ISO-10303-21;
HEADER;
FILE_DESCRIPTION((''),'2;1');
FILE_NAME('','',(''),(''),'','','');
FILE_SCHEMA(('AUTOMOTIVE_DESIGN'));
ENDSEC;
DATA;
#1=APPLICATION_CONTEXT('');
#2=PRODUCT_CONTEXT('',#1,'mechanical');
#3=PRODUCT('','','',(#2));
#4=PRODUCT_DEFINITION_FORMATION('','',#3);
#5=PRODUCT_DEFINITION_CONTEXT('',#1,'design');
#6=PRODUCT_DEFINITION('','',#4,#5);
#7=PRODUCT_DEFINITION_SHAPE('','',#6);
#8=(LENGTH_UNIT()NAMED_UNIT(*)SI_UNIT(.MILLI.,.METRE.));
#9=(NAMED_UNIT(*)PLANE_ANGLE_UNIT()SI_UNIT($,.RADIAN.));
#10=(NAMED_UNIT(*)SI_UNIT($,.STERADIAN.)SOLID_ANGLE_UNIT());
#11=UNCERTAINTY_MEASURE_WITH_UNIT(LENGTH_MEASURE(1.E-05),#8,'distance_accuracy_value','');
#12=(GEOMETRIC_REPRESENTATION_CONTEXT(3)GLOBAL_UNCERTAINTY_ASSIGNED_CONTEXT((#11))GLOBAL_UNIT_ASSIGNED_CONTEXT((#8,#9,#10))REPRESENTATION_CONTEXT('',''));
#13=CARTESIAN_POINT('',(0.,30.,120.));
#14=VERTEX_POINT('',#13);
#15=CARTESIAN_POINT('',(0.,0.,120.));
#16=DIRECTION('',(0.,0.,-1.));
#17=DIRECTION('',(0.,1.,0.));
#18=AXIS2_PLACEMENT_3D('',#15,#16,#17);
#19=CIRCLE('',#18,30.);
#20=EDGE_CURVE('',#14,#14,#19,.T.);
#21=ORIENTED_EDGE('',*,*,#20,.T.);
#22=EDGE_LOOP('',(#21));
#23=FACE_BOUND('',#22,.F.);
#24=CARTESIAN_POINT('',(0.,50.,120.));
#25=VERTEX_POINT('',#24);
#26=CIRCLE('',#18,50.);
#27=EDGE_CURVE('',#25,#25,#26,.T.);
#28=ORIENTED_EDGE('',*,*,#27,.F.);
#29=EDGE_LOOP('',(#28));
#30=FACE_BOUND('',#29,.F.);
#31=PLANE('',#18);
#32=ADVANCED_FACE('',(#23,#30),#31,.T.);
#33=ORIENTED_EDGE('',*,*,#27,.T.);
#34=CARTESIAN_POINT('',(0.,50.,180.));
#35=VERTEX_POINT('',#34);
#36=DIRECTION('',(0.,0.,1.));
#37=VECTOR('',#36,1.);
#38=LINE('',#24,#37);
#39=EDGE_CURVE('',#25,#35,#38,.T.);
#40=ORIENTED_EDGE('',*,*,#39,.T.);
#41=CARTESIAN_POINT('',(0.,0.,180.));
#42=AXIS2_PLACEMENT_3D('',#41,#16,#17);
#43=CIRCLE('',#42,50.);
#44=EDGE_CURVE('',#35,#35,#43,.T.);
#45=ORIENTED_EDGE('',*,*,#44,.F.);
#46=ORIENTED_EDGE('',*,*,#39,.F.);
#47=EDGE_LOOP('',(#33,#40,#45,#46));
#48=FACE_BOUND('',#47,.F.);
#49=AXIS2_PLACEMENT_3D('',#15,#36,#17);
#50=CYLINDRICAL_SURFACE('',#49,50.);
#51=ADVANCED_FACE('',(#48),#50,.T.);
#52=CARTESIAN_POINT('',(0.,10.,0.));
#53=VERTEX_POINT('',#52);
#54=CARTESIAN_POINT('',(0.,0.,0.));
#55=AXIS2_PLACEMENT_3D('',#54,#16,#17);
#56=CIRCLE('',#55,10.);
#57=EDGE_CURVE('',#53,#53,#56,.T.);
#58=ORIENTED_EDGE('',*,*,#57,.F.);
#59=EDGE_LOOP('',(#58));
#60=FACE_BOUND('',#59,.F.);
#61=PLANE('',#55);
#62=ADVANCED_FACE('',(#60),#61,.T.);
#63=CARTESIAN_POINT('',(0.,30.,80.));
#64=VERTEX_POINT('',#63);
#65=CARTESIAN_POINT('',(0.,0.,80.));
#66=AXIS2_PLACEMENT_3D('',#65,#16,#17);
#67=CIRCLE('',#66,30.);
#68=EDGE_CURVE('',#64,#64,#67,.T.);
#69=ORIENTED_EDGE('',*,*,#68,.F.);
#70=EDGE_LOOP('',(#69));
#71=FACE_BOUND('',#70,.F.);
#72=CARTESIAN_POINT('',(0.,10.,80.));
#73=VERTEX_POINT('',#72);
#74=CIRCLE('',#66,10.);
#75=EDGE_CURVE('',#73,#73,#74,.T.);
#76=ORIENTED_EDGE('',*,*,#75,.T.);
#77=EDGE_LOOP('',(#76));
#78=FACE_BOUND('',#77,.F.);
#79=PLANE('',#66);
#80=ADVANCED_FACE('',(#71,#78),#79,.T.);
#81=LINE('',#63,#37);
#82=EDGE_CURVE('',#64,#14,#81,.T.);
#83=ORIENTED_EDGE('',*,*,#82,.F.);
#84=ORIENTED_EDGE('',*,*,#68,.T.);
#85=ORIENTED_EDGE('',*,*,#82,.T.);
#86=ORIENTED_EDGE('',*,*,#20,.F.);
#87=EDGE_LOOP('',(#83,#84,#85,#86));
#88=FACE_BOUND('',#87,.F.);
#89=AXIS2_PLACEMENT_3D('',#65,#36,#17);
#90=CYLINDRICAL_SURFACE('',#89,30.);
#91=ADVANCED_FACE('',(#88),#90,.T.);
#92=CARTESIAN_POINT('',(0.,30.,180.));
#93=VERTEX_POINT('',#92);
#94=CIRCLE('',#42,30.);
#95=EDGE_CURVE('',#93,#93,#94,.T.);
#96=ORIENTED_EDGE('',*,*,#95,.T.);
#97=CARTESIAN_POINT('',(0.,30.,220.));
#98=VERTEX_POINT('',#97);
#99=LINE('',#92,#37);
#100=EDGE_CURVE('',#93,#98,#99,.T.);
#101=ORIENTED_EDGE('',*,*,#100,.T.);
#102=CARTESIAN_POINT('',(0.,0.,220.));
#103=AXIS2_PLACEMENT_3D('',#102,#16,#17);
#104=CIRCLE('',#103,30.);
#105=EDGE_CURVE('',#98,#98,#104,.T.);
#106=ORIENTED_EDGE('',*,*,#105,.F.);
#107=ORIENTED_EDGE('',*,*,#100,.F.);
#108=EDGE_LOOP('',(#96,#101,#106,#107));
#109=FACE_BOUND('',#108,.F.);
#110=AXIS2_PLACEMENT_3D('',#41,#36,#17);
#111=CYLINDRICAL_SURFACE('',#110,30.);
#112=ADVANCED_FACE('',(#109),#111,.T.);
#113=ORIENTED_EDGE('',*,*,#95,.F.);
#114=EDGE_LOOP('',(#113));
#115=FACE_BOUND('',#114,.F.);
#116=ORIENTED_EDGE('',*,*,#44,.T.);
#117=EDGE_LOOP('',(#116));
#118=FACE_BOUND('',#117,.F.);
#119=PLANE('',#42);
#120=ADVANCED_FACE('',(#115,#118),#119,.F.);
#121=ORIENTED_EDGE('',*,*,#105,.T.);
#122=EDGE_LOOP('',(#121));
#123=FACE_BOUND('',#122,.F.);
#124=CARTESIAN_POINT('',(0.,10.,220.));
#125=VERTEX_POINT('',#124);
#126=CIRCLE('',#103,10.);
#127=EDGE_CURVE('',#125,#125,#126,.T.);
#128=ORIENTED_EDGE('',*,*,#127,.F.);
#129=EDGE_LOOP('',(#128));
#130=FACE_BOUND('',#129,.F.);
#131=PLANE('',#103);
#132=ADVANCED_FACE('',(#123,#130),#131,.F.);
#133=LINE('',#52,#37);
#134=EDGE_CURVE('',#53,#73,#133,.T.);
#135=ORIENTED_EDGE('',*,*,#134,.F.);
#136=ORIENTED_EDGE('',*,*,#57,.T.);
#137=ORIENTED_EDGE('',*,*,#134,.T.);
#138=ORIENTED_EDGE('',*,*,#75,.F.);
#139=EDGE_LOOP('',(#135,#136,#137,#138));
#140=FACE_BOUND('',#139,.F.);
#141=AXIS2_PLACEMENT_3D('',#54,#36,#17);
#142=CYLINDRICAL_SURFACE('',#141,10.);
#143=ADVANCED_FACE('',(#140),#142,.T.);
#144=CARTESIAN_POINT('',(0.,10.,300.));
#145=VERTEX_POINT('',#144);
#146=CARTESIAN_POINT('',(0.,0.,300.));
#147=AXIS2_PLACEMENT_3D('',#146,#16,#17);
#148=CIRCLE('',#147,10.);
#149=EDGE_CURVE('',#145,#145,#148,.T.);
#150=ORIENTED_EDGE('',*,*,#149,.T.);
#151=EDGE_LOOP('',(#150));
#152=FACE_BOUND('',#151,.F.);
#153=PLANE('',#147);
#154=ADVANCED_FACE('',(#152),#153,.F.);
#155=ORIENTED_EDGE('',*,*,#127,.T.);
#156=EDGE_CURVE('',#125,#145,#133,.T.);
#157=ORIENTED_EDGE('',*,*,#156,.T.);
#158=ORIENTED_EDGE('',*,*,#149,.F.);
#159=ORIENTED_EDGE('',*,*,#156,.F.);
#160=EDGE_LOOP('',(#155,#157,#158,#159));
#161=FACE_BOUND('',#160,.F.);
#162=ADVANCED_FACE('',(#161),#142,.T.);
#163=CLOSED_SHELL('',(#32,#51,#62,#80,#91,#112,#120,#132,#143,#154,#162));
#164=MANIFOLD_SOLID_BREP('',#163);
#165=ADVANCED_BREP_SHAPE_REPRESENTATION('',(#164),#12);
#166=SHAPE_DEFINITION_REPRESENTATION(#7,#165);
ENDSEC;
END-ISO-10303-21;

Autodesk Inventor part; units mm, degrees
ref_plane "YZ Plane" through (0, 0, 0) normal (1, 0, 0) x (0, 1, 0)
ref_plane "XZ Plane" through (0, 0, 0) normal (0, 1, 0) x (-1, 0, 0)
ref_plane "XY Plane" through (0, 0, 0) normal (0, 0, 1) x (1, 0, 0)
sketch "草圖1" plane through (0, 0, 0) normal (1, 0, 0) x (0, 1, 0)
  line L0 (-10, 0) -> (60, 0) projected
  line L1 (0, -60) -> (0, 360) projected
  line L2 (0, 0) -> (10, 0)
  line L3 (10, 0) -> (10, 300)
  line L4 (10, 300) -> (0, 300)
  line L5 (0, 300) -> (0, 0)
  line L6 (0, 80) -> (30, 80)
  line L7 (30, 80) -> (30, 120)
  line L8 (30, 120) -> (0, 120)
  line L9 (0, 120) -> (0, 80)
  line L10 (0, 120) -> (50, 120)
  line L11 (50, 120) -> (50, 180)
  line L12 (50, 180) -> (0, 180)
  line L13 (0, 180) -> (0, 120)
  line L14 (0, 180) -> (39.1578, 180)
  line L15 (0, 209.2593) -> (0, 180)
  line L16 (0, 180) -> (30, 180)
  line L17 (30, 180) -> (30, 220)
  line L18 (30, 220) -> (0, 220)
  line L19 (0, 220) -> (0, 180)
  dimension "d0" = 10
  dimension "d1" = 300
  dimension "d2" = 80
  dimension "d3" = 40
  dimension "d4" = 30
  dimension "d5" = 0
  dimension "d6" = 80
  dimension "d9" = 40
  dimension "d10" = 0
  dimension "d11" = 50
  dimension "d12" = 30
revolve "迴轉1" add sketch "草圖1" angle 360 about axis through (0, 0, 300) along (0, 0, -1)
properties part number "exercise1-1"
